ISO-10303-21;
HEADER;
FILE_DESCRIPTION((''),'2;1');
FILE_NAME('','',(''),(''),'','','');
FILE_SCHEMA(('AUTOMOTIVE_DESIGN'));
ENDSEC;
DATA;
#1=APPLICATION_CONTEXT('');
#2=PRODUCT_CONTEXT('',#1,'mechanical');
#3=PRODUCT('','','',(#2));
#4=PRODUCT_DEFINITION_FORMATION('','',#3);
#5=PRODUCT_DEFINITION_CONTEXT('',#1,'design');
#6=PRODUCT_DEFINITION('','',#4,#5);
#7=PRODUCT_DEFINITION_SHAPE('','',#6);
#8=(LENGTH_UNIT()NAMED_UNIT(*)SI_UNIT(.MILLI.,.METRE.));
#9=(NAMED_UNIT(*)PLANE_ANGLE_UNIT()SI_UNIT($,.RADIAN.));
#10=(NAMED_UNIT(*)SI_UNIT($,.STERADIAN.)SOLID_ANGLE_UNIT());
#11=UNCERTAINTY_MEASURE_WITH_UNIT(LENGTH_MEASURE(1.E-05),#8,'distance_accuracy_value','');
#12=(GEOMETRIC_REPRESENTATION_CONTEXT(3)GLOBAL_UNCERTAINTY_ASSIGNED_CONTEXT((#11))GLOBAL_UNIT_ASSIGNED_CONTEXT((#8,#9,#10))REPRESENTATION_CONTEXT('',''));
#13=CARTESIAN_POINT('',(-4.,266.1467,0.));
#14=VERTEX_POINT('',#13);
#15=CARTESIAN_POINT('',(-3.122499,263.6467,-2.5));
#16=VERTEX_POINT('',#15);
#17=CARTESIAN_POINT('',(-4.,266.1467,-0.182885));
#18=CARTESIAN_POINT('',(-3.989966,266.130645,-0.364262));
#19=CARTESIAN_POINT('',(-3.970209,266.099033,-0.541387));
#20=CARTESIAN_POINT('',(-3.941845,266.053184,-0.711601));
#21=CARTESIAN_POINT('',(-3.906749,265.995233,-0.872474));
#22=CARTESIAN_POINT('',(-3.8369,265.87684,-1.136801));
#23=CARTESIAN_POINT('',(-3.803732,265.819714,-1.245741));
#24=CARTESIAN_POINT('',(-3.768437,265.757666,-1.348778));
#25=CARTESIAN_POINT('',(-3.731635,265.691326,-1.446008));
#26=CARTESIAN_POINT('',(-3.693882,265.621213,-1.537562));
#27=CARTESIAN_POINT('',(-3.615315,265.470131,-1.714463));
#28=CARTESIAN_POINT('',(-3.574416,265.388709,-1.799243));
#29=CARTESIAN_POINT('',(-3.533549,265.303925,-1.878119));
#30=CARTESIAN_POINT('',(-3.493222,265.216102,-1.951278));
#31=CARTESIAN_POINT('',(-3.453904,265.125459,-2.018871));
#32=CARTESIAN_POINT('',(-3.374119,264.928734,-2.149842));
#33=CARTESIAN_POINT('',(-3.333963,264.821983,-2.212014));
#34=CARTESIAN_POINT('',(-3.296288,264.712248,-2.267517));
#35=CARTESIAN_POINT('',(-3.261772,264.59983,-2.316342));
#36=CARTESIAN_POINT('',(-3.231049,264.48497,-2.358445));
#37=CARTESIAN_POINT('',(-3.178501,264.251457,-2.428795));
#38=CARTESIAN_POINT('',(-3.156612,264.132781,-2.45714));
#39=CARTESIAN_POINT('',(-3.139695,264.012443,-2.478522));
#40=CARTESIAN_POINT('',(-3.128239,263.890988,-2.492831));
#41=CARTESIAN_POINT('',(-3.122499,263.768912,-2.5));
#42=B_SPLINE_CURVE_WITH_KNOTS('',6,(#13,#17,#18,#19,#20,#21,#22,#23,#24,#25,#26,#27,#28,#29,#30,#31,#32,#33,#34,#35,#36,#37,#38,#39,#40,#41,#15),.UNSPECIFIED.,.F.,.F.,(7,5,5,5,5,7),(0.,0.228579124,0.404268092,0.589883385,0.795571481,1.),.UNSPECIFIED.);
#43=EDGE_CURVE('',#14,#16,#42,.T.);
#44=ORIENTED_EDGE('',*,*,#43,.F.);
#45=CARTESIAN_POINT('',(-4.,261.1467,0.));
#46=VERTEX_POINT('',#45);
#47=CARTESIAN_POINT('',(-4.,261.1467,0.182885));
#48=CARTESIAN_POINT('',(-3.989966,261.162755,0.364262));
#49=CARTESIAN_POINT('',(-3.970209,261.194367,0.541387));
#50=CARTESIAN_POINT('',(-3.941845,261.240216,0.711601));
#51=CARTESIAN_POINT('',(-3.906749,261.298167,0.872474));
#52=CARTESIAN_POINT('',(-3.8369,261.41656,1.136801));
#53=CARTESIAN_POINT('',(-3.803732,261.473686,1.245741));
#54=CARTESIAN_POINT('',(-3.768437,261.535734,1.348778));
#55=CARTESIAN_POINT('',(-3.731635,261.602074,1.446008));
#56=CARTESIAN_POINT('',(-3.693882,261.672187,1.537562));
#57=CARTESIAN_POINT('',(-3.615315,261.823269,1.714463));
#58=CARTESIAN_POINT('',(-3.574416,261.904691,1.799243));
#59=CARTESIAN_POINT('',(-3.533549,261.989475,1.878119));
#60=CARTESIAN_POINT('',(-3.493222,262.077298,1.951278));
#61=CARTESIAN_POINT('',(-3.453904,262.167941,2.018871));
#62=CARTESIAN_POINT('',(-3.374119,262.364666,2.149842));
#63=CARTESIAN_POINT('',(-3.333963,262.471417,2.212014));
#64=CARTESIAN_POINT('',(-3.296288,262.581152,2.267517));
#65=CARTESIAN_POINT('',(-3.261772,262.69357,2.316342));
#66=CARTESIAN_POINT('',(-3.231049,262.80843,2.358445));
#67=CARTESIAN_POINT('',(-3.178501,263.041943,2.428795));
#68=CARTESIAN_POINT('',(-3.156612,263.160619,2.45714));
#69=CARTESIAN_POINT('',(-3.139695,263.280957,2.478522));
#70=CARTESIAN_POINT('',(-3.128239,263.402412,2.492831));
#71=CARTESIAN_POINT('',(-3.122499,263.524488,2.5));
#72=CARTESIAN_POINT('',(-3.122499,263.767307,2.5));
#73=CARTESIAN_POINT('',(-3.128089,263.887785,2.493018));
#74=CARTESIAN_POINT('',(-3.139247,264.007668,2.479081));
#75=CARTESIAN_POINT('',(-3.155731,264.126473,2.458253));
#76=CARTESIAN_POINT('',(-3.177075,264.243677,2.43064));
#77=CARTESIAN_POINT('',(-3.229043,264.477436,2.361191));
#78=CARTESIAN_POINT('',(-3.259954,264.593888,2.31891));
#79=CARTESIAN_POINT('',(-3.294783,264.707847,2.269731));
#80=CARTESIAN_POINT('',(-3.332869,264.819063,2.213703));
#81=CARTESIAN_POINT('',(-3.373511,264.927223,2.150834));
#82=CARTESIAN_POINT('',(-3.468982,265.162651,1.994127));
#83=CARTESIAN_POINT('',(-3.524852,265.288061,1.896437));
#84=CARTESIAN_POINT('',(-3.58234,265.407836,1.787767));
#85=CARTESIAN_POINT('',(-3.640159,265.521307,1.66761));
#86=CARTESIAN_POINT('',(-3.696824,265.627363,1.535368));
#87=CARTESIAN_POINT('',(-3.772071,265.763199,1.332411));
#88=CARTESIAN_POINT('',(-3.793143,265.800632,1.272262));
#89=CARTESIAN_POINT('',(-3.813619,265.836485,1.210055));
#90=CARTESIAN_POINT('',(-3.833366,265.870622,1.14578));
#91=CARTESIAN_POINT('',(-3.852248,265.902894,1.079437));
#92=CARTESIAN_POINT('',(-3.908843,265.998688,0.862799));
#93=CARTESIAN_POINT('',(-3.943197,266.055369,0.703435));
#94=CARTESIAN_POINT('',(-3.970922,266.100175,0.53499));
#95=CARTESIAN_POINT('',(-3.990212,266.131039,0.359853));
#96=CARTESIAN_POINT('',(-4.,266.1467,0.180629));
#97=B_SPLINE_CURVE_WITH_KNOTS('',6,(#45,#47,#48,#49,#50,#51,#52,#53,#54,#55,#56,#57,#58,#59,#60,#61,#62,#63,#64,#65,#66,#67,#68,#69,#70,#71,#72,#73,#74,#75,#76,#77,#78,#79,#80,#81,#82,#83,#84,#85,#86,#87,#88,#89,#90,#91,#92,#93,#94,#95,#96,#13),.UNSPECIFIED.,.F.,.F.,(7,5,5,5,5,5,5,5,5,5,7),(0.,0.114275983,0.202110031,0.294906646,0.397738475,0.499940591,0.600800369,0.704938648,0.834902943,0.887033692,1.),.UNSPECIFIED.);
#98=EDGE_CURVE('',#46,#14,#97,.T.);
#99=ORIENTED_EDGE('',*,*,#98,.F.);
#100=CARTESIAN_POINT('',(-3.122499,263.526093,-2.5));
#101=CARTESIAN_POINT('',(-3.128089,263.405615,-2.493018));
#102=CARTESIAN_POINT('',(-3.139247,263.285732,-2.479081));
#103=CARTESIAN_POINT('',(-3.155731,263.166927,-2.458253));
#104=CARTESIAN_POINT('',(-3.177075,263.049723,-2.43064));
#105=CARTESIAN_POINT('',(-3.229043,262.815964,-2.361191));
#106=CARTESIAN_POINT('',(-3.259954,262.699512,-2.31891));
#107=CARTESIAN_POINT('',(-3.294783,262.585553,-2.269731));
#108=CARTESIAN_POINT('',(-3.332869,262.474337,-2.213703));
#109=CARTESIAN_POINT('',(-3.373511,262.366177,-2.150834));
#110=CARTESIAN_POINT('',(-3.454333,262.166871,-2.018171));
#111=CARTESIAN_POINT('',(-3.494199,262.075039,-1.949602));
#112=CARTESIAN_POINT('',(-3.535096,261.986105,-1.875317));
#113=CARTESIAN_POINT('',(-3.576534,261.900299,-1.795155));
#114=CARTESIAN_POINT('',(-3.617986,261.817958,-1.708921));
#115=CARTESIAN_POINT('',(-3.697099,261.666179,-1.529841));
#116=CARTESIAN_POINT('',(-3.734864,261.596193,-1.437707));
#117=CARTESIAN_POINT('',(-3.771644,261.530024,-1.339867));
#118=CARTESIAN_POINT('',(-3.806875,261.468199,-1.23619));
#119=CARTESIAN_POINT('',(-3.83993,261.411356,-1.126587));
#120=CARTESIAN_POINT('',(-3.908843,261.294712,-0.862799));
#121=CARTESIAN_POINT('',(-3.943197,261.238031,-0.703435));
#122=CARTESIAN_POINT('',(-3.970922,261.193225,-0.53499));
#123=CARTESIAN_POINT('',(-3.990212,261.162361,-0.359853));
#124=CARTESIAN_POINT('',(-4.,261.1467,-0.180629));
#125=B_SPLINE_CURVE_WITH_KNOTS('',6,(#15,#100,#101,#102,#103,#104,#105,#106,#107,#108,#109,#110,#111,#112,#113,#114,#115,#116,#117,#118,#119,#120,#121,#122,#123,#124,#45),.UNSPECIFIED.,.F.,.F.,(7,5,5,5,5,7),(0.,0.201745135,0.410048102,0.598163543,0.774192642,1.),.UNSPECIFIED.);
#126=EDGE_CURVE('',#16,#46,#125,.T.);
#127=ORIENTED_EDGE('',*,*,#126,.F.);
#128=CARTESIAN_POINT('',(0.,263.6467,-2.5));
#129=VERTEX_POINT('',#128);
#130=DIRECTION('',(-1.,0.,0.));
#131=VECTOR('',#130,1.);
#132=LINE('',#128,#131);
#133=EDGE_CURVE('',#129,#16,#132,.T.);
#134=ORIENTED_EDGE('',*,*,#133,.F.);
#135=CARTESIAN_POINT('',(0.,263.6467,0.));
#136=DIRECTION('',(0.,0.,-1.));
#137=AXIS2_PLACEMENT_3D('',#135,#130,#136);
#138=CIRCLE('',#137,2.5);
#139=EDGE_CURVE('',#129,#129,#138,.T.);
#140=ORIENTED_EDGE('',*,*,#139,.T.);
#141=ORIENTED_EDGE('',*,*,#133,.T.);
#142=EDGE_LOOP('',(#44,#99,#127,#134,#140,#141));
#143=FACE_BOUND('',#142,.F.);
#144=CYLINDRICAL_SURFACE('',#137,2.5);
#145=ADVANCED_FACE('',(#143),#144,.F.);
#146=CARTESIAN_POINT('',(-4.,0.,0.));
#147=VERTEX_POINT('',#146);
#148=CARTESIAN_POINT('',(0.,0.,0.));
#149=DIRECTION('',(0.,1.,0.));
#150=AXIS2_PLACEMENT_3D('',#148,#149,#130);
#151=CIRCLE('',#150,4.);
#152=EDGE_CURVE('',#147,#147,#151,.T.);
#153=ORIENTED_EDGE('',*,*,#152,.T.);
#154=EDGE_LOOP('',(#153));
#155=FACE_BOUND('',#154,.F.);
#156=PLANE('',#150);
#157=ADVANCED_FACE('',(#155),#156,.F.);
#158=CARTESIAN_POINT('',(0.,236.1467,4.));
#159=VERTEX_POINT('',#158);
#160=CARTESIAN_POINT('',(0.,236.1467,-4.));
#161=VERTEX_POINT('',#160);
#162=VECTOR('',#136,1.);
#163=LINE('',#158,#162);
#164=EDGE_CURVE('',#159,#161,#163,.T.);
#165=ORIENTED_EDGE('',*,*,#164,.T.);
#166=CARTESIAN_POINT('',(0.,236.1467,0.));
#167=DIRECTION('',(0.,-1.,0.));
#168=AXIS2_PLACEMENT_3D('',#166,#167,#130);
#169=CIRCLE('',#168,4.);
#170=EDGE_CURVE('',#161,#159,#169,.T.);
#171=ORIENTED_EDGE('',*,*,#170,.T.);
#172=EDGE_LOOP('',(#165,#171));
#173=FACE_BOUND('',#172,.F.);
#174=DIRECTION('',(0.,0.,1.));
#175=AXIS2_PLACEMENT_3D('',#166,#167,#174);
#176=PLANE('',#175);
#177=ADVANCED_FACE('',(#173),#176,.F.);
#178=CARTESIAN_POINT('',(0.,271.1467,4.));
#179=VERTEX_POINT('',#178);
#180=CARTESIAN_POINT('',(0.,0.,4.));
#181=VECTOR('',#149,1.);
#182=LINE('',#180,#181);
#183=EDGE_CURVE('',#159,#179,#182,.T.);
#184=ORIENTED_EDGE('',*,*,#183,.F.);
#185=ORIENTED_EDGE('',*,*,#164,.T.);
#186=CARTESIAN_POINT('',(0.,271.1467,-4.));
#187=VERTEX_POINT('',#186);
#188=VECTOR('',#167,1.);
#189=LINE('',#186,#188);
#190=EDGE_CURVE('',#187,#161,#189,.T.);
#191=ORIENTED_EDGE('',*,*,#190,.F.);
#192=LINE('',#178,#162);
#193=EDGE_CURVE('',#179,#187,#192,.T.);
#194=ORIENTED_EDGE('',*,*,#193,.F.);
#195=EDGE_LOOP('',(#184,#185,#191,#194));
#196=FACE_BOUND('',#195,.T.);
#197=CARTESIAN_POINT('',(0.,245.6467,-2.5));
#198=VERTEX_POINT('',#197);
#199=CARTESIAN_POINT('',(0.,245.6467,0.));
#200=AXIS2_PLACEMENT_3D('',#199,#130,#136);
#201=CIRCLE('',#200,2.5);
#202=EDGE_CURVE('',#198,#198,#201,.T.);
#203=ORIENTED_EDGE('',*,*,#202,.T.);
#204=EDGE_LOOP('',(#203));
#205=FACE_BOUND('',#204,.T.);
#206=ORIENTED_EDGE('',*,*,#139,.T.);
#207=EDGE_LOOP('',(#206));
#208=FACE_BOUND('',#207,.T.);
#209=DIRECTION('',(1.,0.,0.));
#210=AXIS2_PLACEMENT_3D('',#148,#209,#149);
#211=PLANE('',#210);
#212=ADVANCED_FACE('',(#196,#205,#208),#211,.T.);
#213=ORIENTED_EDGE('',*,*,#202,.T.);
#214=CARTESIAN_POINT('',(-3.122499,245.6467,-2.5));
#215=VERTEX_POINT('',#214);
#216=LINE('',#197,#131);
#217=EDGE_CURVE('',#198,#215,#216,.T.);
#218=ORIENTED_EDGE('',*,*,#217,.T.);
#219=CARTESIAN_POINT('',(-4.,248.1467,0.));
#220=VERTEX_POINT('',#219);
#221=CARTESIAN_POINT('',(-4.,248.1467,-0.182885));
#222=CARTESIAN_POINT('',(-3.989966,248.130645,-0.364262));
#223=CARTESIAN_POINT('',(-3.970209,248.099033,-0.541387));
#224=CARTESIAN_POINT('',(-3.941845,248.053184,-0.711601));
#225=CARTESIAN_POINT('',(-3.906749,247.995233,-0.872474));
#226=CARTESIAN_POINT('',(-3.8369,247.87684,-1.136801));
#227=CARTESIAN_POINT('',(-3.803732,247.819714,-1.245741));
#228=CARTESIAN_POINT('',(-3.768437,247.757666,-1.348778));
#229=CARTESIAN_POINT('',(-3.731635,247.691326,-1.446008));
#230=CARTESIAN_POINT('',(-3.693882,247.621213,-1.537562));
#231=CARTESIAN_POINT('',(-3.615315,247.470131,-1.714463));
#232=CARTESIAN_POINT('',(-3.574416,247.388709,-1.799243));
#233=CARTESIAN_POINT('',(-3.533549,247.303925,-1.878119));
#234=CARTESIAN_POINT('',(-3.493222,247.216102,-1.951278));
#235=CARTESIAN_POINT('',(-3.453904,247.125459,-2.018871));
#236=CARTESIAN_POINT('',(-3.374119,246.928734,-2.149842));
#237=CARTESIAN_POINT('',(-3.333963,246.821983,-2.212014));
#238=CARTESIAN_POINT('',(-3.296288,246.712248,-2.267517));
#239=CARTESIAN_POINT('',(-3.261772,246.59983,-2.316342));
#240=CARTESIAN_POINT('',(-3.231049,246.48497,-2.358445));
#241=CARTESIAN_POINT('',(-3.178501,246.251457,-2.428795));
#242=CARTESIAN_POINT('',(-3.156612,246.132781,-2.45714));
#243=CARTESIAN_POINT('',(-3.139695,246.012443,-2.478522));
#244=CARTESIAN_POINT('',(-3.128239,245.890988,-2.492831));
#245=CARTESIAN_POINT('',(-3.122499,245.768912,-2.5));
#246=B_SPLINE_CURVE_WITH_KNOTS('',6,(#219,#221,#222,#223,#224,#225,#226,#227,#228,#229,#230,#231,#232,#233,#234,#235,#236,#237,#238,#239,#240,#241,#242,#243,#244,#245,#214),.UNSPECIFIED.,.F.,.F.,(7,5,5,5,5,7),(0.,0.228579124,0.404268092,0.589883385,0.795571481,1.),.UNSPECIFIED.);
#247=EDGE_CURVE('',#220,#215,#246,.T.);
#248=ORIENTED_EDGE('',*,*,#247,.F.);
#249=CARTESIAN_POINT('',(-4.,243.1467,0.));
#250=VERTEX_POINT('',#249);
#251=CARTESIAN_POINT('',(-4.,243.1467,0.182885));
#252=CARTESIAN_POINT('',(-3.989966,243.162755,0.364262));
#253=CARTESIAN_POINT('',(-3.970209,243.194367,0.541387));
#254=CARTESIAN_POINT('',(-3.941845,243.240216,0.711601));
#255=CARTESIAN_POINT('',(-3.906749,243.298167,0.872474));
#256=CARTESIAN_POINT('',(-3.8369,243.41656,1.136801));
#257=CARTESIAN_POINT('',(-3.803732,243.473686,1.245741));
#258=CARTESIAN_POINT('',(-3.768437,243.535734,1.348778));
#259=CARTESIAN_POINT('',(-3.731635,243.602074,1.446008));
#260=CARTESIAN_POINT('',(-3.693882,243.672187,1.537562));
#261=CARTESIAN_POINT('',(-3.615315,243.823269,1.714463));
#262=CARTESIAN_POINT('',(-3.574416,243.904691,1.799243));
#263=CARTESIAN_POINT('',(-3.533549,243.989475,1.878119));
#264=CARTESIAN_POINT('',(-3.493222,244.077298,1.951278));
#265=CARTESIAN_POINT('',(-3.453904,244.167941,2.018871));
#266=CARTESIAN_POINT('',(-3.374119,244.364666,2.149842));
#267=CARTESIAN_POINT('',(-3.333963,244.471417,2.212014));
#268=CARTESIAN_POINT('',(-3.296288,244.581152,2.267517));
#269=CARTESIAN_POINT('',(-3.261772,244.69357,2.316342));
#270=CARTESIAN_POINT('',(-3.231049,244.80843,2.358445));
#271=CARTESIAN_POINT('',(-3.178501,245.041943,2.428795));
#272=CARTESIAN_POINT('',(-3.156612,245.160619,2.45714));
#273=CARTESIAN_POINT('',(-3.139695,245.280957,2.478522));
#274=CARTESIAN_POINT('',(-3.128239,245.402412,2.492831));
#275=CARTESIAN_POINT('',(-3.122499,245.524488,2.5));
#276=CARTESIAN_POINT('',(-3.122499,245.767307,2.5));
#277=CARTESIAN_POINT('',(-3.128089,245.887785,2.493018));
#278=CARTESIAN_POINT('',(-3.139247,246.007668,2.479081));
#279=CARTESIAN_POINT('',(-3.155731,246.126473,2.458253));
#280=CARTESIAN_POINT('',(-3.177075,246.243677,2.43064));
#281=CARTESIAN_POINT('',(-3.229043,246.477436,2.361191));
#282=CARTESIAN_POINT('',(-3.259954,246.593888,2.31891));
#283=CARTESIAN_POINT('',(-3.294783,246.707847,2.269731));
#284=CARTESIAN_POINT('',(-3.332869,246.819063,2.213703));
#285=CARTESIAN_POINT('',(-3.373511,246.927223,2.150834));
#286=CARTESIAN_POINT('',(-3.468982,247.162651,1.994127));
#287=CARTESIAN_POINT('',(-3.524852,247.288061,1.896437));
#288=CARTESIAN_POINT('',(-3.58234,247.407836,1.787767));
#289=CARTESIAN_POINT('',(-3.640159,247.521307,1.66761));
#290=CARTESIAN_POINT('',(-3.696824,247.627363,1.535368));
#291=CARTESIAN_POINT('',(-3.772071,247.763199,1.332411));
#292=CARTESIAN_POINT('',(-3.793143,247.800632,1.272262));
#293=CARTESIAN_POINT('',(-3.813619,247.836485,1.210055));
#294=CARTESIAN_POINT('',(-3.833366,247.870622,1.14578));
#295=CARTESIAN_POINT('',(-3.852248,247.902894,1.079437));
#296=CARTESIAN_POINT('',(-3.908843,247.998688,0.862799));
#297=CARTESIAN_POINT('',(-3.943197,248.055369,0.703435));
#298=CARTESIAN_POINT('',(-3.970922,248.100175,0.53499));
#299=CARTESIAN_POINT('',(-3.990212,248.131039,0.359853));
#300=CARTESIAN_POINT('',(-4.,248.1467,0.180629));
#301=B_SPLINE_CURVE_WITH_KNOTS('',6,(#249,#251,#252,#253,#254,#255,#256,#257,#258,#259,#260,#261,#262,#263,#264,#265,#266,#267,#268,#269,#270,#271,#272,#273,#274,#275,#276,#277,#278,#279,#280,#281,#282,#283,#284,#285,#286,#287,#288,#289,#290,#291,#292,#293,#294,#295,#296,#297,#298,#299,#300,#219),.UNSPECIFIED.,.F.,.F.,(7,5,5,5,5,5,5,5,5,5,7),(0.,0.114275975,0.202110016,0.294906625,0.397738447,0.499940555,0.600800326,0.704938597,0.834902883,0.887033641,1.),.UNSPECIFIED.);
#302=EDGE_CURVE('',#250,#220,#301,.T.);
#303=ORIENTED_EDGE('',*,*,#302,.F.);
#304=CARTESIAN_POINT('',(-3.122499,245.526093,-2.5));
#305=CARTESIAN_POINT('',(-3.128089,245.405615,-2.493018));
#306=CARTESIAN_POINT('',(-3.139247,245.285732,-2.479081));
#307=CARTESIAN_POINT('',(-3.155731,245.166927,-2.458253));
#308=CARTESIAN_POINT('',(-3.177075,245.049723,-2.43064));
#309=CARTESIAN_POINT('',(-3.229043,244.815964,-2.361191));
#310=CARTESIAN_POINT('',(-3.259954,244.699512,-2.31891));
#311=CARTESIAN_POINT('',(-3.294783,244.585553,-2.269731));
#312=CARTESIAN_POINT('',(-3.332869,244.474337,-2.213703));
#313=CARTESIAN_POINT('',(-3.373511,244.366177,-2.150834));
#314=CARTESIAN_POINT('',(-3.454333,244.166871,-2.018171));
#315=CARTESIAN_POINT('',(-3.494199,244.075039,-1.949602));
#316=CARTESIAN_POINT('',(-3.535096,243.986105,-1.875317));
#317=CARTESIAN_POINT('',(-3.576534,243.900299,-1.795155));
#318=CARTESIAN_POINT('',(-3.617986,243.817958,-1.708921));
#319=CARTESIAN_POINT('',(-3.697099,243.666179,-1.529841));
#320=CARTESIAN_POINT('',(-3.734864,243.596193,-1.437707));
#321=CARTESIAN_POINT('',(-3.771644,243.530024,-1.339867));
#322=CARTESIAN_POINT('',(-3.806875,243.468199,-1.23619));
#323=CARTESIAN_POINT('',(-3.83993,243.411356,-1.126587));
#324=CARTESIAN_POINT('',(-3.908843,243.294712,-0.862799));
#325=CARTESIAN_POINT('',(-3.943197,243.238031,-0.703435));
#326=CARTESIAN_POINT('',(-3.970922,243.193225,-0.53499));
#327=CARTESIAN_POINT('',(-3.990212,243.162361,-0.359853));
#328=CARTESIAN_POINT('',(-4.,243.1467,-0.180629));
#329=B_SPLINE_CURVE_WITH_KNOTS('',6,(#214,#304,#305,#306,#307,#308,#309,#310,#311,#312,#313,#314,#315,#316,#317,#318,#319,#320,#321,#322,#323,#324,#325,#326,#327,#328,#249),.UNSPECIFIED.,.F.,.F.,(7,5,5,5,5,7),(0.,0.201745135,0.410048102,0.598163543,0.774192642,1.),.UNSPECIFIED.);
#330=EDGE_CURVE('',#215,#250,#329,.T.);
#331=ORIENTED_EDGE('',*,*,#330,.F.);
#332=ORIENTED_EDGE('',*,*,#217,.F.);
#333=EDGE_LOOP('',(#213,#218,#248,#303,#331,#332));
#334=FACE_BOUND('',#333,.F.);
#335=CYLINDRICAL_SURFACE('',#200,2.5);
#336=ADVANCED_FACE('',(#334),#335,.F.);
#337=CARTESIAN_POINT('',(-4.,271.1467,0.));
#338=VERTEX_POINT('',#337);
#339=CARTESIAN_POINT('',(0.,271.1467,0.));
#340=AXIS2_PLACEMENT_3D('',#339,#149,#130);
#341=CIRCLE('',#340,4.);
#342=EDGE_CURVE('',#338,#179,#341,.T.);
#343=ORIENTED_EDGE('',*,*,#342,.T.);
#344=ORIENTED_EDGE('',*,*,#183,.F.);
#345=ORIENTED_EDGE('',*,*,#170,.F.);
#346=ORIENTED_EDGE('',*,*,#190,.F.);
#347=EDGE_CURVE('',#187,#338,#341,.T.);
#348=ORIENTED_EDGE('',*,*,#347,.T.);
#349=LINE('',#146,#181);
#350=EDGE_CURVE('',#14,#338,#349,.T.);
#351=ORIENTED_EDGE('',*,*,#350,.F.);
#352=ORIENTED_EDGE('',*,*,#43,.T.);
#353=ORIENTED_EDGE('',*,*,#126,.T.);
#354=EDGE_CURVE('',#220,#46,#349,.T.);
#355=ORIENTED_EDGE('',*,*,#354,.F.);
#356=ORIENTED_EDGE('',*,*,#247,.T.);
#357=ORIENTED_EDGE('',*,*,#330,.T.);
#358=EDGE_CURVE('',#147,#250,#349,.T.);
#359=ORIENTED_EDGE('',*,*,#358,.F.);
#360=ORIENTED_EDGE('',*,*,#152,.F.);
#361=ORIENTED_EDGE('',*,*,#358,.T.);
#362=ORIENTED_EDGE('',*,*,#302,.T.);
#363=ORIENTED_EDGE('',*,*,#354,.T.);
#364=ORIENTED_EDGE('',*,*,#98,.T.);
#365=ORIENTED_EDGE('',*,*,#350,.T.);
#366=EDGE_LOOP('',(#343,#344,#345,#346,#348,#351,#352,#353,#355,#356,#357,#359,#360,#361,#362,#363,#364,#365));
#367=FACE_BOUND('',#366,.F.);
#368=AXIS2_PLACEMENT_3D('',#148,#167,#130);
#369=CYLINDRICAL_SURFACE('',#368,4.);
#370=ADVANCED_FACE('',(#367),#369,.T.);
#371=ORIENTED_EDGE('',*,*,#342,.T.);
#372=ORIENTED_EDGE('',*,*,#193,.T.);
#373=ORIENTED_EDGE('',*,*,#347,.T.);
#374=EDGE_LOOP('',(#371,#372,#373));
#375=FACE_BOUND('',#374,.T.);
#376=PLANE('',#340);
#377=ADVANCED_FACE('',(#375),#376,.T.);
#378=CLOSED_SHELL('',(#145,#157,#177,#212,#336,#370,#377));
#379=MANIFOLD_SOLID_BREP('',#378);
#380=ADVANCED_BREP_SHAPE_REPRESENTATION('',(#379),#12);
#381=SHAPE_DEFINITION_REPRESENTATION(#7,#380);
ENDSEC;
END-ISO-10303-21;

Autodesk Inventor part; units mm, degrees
ref_plane "YZ Plane" through (0, 0, 0) normal (1, 0, 0) x (0, 1, 0)
ref_plane "XZ Plane" through (0, 0, 0) normal (0, 1, 0) x (-1, 0, 0)
ref_plane "XY Plane" through (0, 0, 0) normal (0, 0, 1) x (1, 0, 0)
sketch "Sketch1" plane through (0, 0, 0) normal (0, 1, 0) x (-1, 0, 0)
  circle A0 centre (0, 0) radius 4
  dimension "d0" = 8
extrude "Extrusion1" add sketch "Sketch1" along normal blind 271.1467
sketch "Sketch2" plane through (0, 0, 0) normal (1, 0, 0) x (0, 1, 0)
  line L0 (-54.2293, 0) -> (325.3761, 0) projected
  line L1 (271.1467, -4) -> (271.1467, 4) projected
  line L2 (0, 4) -> (271.1467, 4) projected
  line L3 (271.1467, -4) -> (236.1467, -4)
  line L4 (236.1467, -4) -> (236.1467, 4)
  line L5 (236.1467, 4) -> (271.1467, 4)
  line L6 (271.1467, 4) -> (271.1467, -4)
  point P0 (0, 0)
  point P1 (263.6467, 0)
  point P2 (245.6467, 0)
  dimension "d4" = 7.5
  dimension "d5" = 18
  dimension "d6" = 35
extrude "Extrusion2" cut sketch "Sketch2" along normal blind 5
hole "Hole1" at (0, 263.6467, 0) at (0, 245.6467, 0) direction (-1, 0, 0) diameter 5 end through all
properties part number "bar" material "Stainless Steel"
